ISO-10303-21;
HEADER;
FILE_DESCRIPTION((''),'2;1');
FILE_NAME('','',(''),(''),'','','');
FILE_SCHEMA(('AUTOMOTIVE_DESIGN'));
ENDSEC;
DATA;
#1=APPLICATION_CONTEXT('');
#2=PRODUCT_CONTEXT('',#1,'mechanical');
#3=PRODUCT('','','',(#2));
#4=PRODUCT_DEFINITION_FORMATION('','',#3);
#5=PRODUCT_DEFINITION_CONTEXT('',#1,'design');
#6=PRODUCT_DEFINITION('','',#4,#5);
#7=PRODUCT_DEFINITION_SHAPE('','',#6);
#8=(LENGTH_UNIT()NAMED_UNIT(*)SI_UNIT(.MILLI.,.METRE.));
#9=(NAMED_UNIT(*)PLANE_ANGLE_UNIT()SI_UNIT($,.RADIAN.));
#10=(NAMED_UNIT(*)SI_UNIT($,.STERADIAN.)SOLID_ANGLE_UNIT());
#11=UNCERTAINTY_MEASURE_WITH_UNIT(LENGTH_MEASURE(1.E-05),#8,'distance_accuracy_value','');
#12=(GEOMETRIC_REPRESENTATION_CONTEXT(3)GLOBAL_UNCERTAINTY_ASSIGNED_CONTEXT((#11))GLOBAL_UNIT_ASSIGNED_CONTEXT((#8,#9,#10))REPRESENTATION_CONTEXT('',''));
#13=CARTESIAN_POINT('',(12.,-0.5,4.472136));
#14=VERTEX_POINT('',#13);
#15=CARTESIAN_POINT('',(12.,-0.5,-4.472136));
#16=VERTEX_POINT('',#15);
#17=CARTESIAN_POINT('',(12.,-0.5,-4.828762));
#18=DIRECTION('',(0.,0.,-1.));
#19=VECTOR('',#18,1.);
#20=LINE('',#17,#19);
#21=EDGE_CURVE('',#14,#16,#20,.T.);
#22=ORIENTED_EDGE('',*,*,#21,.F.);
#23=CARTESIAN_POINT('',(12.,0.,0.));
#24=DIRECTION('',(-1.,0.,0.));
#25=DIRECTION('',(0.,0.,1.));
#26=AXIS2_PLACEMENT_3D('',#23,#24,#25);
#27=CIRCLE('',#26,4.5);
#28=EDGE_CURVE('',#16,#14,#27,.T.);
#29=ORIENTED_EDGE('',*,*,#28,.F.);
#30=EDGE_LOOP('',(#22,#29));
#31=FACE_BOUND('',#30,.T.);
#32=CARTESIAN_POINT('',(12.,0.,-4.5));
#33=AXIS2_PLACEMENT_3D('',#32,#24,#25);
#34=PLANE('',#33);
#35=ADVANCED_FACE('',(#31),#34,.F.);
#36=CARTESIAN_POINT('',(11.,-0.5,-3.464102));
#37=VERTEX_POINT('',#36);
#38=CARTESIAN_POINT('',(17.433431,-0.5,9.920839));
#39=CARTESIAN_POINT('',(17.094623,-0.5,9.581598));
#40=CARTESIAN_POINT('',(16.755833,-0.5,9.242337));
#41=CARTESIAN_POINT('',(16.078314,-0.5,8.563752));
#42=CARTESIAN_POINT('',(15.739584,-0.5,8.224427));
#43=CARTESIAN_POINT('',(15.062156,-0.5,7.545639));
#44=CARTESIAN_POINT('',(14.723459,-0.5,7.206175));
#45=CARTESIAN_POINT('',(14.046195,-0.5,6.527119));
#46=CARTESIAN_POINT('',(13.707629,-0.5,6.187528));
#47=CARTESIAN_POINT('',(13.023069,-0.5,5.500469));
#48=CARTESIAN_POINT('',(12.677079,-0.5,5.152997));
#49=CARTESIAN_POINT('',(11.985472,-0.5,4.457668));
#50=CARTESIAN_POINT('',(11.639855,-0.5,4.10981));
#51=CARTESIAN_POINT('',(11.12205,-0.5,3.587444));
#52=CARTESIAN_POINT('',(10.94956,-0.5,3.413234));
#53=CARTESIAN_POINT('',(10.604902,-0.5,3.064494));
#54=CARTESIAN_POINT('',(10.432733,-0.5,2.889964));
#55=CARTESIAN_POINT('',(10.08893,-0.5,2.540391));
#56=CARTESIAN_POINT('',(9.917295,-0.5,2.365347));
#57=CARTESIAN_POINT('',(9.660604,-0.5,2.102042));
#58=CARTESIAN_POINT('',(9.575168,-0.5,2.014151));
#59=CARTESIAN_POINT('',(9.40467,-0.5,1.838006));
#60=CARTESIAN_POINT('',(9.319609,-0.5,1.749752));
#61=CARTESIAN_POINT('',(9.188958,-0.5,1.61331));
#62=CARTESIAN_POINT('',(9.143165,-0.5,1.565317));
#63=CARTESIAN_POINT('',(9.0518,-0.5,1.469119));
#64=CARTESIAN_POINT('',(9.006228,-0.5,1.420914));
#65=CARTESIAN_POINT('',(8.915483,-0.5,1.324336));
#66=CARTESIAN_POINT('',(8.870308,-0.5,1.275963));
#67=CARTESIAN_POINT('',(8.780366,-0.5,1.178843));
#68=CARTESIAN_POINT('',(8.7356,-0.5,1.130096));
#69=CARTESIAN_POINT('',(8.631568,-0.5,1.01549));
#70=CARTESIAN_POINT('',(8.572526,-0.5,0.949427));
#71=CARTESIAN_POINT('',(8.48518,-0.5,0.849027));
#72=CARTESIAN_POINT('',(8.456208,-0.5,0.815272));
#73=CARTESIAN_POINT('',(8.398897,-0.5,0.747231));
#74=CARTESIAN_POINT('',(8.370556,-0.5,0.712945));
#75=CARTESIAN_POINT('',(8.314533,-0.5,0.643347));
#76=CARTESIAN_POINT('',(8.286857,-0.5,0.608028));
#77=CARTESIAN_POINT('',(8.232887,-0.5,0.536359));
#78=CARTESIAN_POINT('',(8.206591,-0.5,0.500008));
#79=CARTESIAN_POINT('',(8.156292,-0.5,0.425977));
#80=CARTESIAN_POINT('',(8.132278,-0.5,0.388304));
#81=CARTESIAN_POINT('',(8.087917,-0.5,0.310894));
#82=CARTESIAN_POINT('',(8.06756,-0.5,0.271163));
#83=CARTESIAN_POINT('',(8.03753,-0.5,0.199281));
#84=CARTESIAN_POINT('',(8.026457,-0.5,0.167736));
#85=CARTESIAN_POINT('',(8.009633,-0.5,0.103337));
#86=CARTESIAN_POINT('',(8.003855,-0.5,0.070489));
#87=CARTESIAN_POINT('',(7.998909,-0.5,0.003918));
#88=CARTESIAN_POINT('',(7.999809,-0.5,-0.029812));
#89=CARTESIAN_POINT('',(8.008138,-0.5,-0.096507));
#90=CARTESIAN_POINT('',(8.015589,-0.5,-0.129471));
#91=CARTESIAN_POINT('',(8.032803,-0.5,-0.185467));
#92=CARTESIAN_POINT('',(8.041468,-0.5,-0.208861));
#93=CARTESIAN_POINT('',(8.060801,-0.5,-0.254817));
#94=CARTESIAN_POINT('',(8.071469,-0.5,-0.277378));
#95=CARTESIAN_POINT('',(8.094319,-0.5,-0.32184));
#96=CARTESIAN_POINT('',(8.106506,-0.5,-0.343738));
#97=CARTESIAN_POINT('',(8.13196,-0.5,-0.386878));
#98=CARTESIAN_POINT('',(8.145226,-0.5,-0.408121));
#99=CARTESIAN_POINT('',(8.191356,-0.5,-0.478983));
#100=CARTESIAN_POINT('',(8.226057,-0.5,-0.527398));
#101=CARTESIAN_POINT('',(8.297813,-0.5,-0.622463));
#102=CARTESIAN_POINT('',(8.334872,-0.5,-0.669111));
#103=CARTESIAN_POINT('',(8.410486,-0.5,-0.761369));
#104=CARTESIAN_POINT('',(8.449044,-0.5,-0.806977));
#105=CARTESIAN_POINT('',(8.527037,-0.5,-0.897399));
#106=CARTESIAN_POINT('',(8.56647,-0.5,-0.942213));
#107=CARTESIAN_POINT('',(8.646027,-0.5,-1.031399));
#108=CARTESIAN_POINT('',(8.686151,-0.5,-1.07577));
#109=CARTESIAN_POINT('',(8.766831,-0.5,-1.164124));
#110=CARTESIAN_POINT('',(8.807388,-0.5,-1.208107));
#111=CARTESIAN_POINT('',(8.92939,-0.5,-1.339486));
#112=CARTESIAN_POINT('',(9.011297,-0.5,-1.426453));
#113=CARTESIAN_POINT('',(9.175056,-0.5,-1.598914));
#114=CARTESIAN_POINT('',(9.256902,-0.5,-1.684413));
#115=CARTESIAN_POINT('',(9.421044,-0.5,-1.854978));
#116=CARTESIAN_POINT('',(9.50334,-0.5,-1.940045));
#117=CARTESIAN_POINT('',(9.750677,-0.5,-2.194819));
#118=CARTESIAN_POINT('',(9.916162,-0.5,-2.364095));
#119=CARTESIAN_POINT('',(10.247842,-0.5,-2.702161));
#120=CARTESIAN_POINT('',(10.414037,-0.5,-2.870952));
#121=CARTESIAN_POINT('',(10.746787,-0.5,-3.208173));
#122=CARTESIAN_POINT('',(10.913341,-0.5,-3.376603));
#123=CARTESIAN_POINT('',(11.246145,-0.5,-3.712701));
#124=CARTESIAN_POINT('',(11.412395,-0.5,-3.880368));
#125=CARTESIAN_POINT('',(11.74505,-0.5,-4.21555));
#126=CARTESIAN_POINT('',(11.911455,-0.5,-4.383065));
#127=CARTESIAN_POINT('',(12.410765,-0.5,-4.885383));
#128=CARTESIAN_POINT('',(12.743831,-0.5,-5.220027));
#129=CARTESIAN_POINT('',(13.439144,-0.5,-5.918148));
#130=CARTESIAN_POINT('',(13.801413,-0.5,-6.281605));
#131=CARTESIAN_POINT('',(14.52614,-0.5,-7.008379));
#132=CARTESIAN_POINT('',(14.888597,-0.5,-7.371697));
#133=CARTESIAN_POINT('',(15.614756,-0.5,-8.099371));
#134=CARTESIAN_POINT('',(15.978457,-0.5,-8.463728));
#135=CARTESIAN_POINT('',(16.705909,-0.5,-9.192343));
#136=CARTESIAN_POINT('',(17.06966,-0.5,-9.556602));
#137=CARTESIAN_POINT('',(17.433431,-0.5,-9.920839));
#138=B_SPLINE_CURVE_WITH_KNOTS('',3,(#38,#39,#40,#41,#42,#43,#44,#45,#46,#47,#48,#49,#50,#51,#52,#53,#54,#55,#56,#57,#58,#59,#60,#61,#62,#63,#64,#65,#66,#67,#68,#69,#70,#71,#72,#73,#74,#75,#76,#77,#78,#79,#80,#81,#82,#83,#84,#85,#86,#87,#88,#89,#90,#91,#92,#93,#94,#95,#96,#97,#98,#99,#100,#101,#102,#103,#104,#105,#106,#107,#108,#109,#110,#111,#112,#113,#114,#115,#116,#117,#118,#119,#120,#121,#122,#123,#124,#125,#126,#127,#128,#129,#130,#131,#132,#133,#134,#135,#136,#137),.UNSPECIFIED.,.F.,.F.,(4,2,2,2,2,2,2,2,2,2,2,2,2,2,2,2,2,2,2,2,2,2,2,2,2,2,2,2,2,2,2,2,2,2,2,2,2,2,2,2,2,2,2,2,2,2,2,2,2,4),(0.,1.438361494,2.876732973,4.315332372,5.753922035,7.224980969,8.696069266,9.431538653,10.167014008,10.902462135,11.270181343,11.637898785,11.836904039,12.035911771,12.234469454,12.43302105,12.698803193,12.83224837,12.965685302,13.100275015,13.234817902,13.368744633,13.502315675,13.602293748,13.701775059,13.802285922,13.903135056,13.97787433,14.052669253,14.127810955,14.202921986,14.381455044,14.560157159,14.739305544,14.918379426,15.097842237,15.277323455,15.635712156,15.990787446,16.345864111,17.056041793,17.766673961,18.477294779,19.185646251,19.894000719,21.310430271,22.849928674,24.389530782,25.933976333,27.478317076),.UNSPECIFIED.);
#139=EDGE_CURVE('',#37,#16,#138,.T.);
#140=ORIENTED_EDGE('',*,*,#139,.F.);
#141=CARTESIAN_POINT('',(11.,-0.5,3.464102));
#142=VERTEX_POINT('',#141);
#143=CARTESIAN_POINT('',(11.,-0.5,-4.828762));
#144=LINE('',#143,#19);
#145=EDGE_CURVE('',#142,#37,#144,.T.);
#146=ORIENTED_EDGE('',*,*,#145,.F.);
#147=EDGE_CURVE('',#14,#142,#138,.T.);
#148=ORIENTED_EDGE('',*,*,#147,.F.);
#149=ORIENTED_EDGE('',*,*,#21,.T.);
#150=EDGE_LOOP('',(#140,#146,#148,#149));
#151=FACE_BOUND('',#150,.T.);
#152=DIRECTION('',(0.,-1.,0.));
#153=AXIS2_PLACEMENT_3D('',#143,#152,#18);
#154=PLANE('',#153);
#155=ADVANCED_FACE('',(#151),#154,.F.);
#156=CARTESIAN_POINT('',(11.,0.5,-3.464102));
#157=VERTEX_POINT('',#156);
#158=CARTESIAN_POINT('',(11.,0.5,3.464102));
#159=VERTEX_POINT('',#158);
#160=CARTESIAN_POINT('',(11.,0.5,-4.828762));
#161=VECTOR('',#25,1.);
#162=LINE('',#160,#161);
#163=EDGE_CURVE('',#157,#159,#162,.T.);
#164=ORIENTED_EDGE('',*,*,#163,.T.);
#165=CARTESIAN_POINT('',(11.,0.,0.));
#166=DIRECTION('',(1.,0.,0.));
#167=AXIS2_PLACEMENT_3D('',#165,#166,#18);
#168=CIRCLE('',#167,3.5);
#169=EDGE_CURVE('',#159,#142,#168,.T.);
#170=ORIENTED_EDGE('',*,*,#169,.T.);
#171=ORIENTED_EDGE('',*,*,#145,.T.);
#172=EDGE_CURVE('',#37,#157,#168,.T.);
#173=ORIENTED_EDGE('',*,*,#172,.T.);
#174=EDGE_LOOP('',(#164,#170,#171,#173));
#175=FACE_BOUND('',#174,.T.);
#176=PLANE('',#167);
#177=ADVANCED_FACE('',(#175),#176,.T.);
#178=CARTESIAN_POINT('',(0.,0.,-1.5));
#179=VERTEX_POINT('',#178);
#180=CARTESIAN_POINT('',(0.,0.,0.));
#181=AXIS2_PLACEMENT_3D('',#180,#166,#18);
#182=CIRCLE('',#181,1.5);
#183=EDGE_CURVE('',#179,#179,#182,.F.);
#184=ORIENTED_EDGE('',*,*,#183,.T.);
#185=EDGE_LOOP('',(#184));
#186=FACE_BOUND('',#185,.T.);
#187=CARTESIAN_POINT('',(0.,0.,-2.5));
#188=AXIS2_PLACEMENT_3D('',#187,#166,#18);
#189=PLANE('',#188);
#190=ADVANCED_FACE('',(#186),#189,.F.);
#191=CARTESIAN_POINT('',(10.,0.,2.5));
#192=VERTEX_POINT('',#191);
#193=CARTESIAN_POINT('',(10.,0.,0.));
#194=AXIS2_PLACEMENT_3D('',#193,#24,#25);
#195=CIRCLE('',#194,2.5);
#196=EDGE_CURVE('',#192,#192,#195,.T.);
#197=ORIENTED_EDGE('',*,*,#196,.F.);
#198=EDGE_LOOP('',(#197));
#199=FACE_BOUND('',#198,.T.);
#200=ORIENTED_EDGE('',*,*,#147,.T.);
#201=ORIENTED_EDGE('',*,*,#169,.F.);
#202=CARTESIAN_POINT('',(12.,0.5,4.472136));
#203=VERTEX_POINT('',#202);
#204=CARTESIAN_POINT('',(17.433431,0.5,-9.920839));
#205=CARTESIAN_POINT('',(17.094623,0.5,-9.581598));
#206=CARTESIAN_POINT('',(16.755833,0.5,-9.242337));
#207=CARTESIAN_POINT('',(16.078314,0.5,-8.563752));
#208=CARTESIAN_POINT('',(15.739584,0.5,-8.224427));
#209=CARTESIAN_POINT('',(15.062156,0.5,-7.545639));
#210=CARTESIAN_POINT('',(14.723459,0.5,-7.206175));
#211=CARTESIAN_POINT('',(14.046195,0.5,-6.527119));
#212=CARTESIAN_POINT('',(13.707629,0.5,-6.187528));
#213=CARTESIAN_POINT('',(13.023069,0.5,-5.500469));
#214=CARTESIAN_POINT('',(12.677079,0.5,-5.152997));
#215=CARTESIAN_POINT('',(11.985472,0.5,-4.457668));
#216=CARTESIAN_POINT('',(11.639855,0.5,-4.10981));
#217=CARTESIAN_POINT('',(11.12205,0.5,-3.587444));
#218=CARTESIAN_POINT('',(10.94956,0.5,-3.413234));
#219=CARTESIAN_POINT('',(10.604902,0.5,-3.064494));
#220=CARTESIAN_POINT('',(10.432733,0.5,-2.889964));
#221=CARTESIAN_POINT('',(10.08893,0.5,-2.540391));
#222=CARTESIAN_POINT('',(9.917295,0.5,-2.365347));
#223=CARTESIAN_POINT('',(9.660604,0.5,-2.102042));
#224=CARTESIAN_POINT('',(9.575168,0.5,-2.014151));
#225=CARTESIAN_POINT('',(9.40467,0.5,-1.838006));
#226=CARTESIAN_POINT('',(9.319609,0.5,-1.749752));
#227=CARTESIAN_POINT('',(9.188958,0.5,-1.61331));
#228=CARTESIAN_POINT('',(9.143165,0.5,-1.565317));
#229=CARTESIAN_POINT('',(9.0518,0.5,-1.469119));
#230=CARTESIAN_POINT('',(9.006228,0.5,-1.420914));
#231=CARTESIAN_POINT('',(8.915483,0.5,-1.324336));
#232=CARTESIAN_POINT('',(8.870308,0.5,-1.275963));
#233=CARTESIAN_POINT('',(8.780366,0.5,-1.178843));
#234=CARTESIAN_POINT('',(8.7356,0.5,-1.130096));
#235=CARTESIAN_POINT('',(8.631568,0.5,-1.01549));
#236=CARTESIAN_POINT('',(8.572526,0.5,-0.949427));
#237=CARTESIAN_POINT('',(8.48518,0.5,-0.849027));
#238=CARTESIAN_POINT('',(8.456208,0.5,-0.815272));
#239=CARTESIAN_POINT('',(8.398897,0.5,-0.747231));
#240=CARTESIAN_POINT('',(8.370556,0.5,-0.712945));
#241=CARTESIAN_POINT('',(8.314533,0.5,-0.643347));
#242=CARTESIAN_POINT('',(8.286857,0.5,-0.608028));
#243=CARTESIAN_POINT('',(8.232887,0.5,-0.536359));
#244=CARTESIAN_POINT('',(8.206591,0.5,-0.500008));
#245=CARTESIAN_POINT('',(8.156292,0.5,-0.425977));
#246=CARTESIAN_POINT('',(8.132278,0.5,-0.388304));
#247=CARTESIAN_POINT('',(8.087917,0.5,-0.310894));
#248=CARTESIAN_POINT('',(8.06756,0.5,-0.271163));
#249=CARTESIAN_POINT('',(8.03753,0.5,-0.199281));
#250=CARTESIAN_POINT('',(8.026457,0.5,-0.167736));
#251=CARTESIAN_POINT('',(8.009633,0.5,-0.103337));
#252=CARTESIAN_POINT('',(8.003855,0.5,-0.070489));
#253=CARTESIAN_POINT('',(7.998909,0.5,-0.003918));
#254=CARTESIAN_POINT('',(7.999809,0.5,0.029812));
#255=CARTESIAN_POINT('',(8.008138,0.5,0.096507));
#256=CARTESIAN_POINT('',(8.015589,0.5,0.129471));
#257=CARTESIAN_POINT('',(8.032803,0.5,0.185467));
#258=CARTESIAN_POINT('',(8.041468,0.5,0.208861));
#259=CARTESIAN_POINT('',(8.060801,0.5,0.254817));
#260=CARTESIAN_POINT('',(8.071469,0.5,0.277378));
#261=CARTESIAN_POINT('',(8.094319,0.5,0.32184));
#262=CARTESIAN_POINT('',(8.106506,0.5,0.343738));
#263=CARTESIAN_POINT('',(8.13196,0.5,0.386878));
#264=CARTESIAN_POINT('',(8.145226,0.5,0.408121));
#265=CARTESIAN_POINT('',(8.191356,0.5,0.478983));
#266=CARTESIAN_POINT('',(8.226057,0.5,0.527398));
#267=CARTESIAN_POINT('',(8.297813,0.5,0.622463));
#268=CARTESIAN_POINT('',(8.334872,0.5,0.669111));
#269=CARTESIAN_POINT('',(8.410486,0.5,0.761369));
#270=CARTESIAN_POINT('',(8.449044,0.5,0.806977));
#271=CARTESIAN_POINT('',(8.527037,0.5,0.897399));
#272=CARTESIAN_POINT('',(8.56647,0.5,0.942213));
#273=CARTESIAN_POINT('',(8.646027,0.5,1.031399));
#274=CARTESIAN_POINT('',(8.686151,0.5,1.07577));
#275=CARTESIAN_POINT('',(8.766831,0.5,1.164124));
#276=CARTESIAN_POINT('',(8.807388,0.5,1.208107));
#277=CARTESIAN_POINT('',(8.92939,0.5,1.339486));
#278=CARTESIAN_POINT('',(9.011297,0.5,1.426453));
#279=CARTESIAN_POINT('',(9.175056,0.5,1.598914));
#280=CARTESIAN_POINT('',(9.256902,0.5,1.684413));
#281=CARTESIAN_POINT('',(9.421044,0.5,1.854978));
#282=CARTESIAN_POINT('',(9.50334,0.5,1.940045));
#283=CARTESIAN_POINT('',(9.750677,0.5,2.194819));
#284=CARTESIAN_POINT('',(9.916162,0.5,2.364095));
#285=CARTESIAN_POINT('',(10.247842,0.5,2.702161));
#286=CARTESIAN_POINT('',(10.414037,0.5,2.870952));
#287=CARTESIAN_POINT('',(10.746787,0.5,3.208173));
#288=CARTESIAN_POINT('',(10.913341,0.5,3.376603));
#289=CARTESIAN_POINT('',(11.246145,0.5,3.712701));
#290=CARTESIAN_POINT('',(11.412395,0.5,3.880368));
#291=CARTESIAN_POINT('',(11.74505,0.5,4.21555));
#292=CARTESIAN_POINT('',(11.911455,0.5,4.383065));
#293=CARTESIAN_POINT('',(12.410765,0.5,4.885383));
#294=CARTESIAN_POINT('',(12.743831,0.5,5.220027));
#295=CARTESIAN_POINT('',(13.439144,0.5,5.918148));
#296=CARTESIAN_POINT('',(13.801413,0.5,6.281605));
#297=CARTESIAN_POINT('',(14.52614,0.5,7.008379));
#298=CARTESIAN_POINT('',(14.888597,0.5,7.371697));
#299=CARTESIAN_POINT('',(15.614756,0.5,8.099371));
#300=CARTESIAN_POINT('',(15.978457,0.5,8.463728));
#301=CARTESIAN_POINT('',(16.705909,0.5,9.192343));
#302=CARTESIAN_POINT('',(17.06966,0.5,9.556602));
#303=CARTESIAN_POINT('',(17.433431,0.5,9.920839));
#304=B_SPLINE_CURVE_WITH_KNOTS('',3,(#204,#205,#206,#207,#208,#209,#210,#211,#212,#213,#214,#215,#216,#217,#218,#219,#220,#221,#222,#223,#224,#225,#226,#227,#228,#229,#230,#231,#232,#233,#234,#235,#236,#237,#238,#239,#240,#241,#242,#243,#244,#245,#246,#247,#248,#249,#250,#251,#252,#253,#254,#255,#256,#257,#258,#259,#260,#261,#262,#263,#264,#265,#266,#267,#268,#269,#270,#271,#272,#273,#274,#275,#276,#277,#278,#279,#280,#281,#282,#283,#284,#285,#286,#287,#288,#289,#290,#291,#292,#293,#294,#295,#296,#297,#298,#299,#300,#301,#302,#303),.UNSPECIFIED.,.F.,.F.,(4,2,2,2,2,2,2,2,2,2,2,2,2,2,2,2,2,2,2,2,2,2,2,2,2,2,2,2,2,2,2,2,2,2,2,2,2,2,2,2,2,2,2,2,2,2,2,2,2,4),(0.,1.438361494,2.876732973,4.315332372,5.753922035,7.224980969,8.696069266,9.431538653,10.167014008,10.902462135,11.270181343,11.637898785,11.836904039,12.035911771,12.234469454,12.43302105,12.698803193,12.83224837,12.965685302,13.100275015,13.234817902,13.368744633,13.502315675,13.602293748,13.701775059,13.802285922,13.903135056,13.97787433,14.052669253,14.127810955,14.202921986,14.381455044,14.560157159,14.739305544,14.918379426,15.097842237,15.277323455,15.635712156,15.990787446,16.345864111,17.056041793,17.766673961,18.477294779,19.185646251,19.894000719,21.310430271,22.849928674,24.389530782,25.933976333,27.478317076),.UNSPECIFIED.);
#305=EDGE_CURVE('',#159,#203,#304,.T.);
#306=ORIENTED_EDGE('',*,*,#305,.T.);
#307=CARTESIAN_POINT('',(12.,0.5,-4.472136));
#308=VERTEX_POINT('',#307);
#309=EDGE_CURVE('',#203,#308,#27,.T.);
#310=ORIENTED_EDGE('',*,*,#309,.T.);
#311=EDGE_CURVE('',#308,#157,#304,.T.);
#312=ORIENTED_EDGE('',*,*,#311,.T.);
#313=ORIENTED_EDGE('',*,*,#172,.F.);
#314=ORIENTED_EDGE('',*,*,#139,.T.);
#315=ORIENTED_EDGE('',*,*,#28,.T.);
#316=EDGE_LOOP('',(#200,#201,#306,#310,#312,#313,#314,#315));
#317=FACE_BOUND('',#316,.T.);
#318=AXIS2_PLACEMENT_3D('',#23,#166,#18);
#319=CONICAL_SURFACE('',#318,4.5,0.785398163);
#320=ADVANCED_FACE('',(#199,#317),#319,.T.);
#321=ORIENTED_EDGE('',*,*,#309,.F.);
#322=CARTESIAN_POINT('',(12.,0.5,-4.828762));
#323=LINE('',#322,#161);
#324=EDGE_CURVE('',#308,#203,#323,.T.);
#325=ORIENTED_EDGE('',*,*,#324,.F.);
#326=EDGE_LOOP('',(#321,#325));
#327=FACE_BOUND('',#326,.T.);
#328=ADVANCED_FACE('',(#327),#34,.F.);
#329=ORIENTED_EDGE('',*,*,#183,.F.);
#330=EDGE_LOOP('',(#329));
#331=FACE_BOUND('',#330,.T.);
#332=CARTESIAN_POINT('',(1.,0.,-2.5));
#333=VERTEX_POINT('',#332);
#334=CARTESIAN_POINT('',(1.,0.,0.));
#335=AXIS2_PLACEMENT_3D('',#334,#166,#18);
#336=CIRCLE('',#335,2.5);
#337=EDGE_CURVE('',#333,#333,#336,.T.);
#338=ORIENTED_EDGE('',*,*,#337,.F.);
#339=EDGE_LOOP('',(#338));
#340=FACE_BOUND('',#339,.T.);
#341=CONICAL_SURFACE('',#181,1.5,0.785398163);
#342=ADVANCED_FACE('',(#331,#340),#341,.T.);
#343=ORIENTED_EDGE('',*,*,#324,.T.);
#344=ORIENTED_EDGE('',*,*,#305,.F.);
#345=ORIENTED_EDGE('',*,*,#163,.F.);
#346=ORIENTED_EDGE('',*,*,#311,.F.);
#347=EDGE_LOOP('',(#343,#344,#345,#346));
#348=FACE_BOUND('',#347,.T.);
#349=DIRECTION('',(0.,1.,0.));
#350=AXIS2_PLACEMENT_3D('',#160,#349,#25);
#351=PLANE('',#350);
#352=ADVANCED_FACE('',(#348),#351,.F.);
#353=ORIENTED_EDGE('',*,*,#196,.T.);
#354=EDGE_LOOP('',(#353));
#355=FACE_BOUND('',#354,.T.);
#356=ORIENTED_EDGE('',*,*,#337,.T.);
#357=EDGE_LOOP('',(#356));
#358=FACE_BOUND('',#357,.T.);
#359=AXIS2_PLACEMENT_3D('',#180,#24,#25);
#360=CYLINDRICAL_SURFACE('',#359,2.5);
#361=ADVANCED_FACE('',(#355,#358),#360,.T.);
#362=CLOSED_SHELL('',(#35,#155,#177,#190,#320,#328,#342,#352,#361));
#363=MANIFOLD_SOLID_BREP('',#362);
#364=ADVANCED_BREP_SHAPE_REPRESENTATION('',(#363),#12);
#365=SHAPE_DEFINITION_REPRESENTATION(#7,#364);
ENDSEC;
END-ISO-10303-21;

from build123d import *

# Parameters (mm, degrees)
CHAMFER_1_SIZE      = 1
SKETCH_2_W          = 9.657524734
SKETCH_2_H          = 1
CUT_EXTRUDE_1_DEPTH = 1


with BuildPart() as part:
    # Эскиз1 → Повернуть1 (revolve)
    with BuildSketch(Plane(origin=(0, 0, 0), x_dir=(1, 0, 0), z_dir=(0, 1, 0))):
        Polygon((0, 0), (12, 0), (12, 4.5), (10, 2.5), (0, 2.5), align=None)
    revolve(axis=Axis((0, 0, 0), (1, 0, 0)))

    # Фаска1
    chamfer_1_edges = [part.edges().sort_by_distance(p)[0] for p in [
        (0, 0, 2.5),
    ]]
    chamfer(chamfer_1_edges, length=CHAMFER_1_SIZE)

    # Эскиз2 → Вырез-Вытянуть1 (cut)
    with BuildSketch(Plane(origin=(12, 0, 0), x_dir=(0, 0, -1), z_dir=(1, 0, 0))):
        Rectangle(SKETCH_2_W, SKETCH_2_H)
    extrude(amount=-CUT_EXTRUDE_1_DEPTH, mode=Mode.SUBTRACT)


solid = part.part
